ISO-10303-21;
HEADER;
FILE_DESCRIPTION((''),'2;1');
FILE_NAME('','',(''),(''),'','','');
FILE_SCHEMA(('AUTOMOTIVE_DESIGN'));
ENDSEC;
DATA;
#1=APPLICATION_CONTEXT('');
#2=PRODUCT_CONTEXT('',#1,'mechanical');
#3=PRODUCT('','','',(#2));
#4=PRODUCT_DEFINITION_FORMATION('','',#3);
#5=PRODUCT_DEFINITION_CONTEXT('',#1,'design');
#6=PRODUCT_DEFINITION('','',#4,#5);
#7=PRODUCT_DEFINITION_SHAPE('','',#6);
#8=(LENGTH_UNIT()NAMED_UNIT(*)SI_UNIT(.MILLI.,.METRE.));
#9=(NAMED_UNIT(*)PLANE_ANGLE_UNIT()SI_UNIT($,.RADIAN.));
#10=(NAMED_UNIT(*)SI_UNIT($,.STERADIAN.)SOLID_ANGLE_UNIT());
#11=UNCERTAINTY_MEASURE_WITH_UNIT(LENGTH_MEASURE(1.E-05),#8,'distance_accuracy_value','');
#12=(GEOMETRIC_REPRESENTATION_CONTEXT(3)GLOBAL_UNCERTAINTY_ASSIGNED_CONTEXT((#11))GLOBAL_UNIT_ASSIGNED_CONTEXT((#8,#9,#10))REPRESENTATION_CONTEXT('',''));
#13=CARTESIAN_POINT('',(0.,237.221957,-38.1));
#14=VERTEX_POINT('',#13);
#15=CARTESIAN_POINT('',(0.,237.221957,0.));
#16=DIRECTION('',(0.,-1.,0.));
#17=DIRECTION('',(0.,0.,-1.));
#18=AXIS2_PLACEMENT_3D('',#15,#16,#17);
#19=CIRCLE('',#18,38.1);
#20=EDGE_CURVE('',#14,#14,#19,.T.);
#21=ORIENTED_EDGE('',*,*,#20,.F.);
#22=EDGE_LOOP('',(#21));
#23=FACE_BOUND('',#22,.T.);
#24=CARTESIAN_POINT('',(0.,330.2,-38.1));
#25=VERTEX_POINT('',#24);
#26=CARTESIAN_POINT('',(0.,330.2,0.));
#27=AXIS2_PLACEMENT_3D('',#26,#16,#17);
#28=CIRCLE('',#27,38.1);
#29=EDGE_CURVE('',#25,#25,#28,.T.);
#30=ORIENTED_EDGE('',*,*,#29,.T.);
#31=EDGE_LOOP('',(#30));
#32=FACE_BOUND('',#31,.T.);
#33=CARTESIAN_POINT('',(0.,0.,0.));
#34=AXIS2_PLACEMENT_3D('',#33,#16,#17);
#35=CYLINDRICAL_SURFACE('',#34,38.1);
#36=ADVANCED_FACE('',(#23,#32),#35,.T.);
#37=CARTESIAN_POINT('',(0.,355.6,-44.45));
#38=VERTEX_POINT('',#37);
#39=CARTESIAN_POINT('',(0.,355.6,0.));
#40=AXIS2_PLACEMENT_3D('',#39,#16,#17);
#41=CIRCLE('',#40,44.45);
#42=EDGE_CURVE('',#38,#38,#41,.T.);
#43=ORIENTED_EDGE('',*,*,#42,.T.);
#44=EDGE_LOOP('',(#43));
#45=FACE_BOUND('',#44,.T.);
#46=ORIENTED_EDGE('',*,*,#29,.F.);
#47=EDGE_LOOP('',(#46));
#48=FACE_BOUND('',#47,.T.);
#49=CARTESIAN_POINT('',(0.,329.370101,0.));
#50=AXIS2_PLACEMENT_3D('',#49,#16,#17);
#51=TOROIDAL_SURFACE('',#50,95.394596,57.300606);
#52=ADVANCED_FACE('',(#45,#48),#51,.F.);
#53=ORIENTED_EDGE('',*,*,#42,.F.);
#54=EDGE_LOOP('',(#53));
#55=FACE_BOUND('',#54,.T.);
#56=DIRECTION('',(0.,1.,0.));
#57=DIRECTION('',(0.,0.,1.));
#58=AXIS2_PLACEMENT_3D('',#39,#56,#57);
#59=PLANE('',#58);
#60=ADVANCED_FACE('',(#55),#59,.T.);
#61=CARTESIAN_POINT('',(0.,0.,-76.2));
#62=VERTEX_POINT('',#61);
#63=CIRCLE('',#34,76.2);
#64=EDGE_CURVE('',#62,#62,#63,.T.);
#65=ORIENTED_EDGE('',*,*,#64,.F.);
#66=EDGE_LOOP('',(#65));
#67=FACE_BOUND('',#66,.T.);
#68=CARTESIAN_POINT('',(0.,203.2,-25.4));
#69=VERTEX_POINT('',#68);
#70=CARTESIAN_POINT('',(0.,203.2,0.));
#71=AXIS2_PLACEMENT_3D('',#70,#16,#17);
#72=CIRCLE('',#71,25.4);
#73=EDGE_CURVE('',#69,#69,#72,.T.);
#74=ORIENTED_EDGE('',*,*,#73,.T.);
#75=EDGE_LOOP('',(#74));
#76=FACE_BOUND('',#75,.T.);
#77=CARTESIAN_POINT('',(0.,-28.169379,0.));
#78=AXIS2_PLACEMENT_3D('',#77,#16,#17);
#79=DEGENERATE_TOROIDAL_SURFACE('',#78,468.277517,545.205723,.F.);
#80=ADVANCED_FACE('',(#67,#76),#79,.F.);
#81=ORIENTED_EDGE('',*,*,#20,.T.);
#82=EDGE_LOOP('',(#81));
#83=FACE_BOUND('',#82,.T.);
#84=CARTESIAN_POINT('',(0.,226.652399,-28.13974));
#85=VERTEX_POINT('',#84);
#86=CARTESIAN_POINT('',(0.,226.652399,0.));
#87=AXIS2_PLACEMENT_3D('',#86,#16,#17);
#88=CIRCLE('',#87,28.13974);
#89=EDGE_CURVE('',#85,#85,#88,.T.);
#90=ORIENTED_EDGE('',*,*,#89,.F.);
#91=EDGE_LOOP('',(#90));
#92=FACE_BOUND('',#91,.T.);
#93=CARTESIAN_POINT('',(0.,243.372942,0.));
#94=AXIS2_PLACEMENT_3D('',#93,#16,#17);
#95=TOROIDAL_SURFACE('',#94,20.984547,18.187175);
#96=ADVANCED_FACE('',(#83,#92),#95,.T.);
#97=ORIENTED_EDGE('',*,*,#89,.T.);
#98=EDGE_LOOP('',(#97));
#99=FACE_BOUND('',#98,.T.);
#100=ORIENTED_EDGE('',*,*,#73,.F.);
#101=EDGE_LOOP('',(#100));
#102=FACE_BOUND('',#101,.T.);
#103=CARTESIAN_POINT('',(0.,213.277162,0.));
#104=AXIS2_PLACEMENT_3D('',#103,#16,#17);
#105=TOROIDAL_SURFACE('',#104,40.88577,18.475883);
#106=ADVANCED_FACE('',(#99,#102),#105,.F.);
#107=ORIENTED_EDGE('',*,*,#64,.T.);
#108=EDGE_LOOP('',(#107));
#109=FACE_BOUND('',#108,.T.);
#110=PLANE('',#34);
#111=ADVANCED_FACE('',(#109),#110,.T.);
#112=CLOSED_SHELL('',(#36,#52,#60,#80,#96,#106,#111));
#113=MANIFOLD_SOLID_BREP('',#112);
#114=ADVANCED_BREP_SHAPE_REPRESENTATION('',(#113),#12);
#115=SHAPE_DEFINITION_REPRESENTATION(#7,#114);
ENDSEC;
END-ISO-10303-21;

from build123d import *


with BuildPart() as part:
    # Sketch1 → Revolve1 (revolve)
    with BuildSketch(Plane.XY):
        with BuildLine():
            Line((0, 0), (76.2, 0))
            ThreePointArc((76.2, 0), (60.649726251, 104.062431563), (25.4, 203.2))
            ThreePointArc((25.4, 203.2), (22.534683015, 215.420959495), (28.139739557, 226.65239901))
            ThreePointArc((28.139739557, 226.65239901), (34.220669924, 230.899835334), (38.1, 237.221957416))
            Line((38.1, 237.221957416), (38.1, 330.2))
            ThreePointArc((38.1, 330.2), (39.804842701, 343.267539325), (44.45, 355.6))
            Line((44.45, 355.6), (0, 355.6))
            Line((0, 355.6), (0, 0))
        make_face()
    revolve(axis=Axis((0, 0, 0), (0, 1, 0)))


solid = part.part
